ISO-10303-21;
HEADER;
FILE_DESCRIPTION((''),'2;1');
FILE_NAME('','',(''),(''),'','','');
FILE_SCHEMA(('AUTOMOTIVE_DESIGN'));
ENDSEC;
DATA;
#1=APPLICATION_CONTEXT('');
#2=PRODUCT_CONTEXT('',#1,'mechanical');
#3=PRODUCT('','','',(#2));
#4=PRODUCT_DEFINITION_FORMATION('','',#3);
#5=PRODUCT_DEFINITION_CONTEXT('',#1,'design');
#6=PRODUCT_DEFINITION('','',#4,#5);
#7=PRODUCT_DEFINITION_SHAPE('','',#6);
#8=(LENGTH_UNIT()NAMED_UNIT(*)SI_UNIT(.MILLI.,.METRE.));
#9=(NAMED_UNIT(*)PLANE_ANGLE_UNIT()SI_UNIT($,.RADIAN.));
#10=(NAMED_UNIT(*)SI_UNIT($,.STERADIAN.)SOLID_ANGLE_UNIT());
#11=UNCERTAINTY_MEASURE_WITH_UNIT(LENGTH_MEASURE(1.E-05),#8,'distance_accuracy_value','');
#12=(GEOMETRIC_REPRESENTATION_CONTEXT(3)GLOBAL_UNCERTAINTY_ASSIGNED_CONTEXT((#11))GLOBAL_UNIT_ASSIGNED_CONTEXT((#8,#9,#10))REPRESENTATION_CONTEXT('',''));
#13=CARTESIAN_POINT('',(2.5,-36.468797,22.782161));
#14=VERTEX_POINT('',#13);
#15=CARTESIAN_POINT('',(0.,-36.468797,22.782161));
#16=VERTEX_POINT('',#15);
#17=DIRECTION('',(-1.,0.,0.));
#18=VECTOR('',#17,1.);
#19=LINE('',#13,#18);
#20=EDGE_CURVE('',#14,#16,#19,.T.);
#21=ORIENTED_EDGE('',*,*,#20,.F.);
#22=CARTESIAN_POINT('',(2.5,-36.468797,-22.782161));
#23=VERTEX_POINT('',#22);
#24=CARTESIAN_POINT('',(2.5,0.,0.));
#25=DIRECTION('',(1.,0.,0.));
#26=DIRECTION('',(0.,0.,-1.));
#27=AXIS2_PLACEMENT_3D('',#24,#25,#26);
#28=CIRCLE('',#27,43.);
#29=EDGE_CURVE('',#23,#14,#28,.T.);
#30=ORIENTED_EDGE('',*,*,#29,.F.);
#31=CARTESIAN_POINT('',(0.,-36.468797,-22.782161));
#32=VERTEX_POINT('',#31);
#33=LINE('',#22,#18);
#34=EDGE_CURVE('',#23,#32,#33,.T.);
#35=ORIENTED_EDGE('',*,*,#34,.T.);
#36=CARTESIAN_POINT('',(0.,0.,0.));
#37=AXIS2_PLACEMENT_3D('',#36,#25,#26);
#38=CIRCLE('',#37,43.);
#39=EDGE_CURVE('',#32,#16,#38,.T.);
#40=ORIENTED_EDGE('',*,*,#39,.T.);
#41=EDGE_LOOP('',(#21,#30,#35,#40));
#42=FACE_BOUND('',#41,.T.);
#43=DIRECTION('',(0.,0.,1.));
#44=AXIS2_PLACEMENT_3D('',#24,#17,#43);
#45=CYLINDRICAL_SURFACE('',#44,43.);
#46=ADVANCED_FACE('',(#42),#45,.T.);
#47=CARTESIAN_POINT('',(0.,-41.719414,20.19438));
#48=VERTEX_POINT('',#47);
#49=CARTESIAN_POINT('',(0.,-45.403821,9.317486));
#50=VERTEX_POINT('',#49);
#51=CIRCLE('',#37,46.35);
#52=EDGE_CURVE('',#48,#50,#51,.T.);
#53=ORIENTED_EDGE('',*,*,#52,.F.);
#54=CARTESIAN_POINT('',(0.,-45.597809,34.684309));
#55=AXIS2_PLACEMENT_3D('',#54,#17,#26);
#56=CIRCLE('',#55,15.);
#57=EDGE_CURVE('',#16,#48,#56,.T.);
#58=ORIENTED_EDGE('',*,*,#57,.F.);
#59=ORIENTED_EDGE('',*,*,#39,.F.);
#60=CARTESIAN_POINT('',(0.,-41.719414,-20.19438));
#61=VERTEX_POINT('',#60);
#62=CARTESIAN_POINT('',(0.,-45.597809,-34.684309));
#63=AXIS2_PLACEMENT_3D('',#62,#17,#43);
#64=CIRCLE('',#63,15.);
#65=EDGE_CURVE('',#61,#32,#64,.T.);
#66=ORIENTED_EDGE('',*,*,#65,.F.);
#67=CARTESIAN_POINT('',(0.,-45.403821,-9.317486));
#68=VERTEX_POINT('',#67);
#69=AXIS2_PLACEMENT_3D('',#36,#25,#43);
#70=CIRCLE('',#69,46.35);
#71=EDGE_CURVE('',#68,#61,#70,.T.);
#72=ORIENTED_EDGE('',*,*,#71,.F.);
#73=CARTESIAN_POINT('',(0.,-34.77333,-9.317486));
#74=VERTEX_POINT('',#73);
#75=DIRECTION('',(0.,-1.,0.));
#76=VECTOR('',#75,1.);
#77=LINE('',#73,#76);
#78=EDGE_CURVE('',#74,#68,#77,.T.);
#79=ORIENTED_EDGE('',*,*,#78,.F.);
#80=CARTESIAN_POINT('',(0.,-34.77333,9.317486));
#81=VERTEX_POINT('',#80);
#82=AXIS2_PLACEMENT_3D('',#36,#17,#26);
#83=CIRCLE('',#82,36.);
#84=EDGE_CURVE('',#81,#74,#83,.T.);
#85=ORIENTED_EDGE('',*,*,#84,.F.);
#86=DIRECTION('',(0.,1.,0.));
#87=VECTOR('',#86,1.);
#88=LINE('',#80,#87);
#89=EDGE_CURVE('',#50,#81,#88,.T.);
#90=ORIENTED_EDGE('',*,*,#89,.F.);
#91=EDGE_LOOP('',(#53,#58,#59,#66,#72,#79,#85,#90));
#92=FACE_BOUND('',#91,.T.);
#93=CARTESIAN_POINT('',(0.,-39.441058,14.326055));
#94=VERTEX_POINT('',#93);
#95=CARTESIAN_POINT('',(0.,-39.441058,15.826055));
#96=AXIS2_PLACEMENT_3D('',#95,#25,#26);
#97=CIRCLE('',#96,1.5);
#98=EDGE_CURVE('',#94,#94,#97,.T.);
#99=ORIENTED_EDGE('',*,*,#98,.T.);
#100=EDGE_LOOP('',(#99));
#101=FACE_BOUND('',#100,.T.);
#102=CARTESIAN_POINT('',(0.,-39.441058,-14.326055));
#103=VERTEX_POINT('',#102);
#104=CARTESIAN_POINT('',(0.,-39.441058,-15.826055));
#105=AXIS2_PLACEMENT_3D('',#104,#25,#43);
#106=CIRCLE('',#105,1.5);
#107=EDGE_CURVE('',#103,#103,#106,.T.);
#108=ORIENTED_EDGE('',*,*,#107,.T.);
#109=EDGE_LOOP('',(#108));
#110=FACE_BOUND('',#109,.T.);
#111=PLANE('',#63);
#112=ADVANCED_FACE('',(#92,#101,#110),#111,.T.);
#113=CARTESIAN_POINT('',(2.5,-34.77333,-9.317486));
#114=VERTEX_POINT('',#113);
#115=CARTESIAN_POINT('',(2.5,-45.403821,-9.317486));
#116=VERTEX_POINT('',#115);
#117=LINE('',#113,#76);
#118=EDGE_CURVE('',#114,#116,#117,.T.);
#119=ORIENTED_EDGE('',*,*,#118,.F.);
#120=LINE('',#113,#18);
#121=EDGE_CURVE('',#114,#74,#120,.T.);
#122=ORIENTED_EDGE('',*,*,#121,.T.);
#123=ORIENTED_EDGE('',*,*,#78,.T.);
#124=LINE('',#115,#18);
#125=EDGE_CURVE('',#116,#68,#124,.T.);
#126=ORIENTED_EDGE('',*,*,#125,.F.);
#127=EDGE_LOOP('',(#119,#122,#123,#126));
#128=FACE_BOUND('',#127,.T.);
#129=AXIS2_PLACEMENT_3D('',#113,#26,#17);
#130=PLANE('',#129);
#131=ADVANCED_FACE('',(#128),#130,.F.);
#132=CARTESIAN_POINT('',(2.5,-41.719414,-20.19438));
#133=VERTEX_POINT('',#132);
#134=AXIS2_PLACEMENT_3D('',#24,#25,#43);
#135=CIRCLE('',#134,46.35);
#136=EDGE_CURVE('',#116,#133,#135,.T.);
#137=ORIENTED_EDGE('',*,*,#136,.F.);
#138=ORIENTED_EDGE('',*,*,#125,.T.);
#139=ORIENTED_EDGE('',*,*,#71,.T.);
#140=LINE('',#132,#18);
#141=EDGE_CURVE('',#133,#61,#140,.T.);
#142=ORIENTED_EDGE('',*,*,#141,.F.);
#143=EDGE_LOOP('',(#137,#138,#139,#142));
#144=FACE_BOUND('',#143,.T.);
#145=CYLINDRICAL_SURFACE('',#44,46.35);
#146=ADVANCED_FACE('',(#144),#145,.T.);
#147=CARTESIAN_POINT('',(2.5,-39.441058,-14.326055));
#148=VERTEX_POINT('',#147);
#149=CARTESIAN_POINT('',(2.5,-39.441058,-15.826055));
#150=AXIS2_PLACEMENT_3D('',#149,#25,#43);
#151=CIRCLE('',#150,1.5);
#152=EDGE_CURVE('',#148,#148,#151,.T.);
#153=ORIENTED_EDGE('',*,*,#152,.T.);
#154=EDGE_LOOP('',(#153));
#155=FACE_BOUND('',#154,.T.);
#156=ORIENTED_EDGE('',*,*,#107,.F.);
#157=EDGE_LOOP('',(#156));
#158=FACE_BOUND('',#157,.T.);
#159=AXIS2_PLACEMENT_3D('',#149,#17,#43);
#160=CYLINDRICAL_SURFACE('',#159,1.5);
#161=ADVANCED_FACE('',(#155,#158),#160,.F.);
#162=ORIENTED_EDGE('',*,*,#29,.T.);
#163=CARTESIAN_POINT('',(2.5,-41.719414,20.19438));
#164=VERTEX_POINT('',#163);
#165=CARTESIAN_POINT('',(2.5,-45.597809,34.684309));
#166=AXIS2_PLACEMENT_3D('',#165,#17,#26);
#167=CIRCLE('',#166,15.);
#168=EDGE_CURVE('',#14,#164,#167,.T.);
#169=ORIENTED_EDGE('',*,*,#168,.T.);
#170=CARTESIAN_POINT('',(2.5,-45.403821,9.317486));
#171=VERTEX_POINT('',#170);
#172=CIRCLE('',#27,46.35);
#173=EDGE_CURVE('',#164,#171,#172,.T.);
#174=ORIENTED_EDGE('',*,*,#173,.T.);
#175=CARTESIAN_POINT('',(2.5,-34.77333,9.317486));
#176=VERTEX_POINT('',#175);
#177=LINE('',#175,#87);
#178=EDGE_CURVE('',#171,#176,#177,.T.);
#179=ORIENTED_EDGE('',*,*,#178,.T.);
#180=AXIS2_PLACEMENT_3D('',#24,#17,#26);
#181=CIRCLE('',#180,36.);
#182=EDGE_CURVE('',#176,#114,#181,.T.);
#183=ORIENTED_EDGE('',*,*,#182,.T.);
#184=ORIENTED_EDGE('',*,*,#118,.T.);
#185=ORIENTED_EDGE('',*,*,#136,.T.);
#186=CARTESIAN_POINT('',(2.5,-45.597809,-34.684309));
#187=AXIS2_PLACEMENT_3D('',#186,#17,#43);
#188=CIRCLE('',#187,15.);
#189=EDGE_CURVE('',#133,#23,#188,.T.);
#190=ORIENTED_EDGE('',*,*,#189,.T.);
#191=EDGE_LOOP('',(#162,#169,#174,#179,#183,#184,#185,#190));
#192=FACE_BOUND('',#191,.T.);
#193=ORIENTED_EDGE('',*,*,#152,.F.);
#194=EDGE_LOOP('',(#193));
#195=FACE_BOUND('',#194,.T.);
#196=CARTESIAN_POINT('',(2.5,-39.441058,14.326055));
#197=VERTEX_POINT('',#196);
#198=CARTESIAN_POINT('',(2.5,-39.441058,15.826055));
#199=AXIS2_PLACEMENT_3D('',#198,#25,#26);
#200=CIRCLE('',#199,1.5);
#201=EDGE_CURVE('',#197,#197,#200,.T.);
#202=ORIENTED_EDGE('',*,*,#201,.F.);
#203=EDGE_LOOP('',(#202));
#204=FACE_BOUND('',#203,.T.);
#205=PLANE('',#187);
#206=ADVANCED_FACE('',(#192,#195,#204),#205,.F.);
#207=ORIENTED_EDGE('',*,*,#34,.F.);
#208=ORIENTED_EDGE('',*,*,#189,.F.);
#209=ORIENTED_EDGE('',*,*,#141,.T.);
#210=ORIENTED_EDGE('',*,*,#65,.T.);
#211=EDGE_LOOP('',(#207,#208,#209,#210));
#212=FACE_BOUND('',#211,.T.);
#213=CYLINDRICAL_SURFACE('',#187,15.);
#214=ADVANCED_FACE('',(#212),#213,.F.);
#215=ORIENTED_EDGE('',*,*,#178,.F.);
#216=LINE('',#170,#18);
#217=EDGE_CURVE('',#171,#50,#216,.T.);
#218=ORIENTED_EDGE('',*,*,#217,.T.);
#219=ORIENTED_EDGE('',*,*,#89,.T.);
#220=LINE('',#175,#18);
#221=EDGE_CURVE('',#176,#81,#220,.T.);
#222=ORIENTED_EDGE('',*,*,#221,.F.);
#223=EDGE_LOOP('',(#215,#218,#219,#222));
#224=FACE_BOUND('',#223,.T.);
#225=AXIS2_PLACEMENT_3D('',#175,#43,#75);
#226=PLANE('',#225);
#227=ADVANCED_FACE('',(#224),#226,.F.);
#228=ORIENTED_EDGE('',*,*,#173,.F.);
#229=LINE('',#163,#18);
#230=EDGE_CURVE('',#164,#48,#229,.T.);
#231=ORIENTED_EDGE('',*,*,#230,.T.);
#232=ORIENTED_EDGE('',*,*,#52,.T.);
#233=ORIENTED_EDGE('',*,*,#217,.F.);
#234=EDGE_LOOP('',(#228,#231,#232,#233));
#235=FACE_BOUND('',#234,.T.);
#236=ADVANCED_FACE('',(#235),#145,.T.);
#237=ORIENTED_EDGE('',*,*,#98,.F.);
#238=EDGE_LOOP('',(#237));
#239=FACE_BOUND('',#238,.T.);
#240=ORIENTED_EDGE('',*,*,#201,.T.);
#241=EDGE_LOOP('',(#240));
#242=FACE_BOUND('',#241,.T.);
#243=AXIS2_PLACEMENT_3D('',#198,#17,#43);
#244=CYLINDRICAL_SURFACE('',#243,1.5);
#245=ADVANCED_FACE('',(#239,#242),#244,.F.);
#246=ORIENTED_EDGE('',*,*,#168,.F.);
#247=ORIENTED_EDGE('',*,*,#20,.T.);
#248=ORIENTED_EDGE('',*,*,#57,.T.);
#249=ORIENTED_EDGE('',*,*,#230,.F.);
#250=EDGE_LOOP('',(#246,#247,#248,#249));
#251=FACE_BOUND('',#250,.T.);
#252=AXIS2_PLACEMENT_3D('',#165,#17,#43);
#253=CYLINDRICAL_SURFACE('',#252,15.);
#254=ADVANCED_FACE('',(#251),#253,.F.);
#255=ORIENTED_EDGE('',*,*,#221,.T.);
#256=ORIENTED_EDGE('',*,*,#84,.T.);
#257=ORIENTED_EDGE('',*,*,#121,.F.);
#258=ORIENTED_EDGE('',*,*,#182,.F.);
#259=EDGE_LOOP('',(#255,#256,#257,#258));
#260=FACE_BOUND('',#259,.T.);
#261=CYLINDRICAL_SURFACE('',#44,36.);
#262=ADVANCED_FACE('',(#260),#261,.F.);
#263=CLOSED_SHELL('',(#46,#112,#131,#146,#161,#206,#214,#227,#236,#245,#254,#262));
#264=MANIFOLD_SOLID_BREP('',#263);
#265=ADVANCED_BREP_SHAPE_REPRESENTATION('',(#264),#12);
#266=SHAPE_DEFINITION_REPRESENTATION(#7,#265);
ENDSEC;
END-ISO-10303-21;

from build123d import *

# Parameters (mm, degrees)
ESQUISSE1_R        = 1.5
BOSS_EXTRU_1_DEPTH = 2.5


with BuildPart() as part:
    # Esquisse1 → Boss.-Extru.1 (new body)
    with BuildSketch(Plane(origin=(0, 0, 0), x_dir=(0, 0, -1), z_dir=(1, 0, 0))):
        with BuildLine():
            Line((-9.317485624, -34.773329746), (-9.317485624, -45.403821003))
            ThreePointArc((-9.317485624, -45.403821003), (-14.870482968, -43.89978629), (-20.194379814, -41.719414233))
            ThreePointArc((-20.194379814, -41.719414233), (-21.229656255, -38.966646831), (-22.782160988, -36.468796809))
            ThreePointArc((-22.782160988, -36.468796809), (0, 43), (22.782160988, -36.468796809))
            ThreePointArc((22.782160988, -36.468796809), (21.229656255, -38.966646831), (20.194379814, -41.719414233))
            ThreePointArc((20.194379814, -41.719414233), (14.870482968, -43.89978629), (9.317485624, -45.403821003))
            Line((9.317485624, -45.403821003), (9.317485624, -34.773329746))
            ThreePointArc((9.317485624, -34.773329746), (0, 36), (-9.317485624, -34.773329746))
        make_face()
        with Locations((-15.826054686, -39.441057647)):
            Circle(ESQUISSE1_R, mode=Mode.SUBTRACT)
        with Locations(Location((15.826054686, -39.441057647, 0), (0, 0, 180))):
            Circle(ESQUISSE1_R, mode=Mode.SUBTRACT)
    extrude(amount=BOSS_EXTRU_1_DEPTH)


solid = part.part
